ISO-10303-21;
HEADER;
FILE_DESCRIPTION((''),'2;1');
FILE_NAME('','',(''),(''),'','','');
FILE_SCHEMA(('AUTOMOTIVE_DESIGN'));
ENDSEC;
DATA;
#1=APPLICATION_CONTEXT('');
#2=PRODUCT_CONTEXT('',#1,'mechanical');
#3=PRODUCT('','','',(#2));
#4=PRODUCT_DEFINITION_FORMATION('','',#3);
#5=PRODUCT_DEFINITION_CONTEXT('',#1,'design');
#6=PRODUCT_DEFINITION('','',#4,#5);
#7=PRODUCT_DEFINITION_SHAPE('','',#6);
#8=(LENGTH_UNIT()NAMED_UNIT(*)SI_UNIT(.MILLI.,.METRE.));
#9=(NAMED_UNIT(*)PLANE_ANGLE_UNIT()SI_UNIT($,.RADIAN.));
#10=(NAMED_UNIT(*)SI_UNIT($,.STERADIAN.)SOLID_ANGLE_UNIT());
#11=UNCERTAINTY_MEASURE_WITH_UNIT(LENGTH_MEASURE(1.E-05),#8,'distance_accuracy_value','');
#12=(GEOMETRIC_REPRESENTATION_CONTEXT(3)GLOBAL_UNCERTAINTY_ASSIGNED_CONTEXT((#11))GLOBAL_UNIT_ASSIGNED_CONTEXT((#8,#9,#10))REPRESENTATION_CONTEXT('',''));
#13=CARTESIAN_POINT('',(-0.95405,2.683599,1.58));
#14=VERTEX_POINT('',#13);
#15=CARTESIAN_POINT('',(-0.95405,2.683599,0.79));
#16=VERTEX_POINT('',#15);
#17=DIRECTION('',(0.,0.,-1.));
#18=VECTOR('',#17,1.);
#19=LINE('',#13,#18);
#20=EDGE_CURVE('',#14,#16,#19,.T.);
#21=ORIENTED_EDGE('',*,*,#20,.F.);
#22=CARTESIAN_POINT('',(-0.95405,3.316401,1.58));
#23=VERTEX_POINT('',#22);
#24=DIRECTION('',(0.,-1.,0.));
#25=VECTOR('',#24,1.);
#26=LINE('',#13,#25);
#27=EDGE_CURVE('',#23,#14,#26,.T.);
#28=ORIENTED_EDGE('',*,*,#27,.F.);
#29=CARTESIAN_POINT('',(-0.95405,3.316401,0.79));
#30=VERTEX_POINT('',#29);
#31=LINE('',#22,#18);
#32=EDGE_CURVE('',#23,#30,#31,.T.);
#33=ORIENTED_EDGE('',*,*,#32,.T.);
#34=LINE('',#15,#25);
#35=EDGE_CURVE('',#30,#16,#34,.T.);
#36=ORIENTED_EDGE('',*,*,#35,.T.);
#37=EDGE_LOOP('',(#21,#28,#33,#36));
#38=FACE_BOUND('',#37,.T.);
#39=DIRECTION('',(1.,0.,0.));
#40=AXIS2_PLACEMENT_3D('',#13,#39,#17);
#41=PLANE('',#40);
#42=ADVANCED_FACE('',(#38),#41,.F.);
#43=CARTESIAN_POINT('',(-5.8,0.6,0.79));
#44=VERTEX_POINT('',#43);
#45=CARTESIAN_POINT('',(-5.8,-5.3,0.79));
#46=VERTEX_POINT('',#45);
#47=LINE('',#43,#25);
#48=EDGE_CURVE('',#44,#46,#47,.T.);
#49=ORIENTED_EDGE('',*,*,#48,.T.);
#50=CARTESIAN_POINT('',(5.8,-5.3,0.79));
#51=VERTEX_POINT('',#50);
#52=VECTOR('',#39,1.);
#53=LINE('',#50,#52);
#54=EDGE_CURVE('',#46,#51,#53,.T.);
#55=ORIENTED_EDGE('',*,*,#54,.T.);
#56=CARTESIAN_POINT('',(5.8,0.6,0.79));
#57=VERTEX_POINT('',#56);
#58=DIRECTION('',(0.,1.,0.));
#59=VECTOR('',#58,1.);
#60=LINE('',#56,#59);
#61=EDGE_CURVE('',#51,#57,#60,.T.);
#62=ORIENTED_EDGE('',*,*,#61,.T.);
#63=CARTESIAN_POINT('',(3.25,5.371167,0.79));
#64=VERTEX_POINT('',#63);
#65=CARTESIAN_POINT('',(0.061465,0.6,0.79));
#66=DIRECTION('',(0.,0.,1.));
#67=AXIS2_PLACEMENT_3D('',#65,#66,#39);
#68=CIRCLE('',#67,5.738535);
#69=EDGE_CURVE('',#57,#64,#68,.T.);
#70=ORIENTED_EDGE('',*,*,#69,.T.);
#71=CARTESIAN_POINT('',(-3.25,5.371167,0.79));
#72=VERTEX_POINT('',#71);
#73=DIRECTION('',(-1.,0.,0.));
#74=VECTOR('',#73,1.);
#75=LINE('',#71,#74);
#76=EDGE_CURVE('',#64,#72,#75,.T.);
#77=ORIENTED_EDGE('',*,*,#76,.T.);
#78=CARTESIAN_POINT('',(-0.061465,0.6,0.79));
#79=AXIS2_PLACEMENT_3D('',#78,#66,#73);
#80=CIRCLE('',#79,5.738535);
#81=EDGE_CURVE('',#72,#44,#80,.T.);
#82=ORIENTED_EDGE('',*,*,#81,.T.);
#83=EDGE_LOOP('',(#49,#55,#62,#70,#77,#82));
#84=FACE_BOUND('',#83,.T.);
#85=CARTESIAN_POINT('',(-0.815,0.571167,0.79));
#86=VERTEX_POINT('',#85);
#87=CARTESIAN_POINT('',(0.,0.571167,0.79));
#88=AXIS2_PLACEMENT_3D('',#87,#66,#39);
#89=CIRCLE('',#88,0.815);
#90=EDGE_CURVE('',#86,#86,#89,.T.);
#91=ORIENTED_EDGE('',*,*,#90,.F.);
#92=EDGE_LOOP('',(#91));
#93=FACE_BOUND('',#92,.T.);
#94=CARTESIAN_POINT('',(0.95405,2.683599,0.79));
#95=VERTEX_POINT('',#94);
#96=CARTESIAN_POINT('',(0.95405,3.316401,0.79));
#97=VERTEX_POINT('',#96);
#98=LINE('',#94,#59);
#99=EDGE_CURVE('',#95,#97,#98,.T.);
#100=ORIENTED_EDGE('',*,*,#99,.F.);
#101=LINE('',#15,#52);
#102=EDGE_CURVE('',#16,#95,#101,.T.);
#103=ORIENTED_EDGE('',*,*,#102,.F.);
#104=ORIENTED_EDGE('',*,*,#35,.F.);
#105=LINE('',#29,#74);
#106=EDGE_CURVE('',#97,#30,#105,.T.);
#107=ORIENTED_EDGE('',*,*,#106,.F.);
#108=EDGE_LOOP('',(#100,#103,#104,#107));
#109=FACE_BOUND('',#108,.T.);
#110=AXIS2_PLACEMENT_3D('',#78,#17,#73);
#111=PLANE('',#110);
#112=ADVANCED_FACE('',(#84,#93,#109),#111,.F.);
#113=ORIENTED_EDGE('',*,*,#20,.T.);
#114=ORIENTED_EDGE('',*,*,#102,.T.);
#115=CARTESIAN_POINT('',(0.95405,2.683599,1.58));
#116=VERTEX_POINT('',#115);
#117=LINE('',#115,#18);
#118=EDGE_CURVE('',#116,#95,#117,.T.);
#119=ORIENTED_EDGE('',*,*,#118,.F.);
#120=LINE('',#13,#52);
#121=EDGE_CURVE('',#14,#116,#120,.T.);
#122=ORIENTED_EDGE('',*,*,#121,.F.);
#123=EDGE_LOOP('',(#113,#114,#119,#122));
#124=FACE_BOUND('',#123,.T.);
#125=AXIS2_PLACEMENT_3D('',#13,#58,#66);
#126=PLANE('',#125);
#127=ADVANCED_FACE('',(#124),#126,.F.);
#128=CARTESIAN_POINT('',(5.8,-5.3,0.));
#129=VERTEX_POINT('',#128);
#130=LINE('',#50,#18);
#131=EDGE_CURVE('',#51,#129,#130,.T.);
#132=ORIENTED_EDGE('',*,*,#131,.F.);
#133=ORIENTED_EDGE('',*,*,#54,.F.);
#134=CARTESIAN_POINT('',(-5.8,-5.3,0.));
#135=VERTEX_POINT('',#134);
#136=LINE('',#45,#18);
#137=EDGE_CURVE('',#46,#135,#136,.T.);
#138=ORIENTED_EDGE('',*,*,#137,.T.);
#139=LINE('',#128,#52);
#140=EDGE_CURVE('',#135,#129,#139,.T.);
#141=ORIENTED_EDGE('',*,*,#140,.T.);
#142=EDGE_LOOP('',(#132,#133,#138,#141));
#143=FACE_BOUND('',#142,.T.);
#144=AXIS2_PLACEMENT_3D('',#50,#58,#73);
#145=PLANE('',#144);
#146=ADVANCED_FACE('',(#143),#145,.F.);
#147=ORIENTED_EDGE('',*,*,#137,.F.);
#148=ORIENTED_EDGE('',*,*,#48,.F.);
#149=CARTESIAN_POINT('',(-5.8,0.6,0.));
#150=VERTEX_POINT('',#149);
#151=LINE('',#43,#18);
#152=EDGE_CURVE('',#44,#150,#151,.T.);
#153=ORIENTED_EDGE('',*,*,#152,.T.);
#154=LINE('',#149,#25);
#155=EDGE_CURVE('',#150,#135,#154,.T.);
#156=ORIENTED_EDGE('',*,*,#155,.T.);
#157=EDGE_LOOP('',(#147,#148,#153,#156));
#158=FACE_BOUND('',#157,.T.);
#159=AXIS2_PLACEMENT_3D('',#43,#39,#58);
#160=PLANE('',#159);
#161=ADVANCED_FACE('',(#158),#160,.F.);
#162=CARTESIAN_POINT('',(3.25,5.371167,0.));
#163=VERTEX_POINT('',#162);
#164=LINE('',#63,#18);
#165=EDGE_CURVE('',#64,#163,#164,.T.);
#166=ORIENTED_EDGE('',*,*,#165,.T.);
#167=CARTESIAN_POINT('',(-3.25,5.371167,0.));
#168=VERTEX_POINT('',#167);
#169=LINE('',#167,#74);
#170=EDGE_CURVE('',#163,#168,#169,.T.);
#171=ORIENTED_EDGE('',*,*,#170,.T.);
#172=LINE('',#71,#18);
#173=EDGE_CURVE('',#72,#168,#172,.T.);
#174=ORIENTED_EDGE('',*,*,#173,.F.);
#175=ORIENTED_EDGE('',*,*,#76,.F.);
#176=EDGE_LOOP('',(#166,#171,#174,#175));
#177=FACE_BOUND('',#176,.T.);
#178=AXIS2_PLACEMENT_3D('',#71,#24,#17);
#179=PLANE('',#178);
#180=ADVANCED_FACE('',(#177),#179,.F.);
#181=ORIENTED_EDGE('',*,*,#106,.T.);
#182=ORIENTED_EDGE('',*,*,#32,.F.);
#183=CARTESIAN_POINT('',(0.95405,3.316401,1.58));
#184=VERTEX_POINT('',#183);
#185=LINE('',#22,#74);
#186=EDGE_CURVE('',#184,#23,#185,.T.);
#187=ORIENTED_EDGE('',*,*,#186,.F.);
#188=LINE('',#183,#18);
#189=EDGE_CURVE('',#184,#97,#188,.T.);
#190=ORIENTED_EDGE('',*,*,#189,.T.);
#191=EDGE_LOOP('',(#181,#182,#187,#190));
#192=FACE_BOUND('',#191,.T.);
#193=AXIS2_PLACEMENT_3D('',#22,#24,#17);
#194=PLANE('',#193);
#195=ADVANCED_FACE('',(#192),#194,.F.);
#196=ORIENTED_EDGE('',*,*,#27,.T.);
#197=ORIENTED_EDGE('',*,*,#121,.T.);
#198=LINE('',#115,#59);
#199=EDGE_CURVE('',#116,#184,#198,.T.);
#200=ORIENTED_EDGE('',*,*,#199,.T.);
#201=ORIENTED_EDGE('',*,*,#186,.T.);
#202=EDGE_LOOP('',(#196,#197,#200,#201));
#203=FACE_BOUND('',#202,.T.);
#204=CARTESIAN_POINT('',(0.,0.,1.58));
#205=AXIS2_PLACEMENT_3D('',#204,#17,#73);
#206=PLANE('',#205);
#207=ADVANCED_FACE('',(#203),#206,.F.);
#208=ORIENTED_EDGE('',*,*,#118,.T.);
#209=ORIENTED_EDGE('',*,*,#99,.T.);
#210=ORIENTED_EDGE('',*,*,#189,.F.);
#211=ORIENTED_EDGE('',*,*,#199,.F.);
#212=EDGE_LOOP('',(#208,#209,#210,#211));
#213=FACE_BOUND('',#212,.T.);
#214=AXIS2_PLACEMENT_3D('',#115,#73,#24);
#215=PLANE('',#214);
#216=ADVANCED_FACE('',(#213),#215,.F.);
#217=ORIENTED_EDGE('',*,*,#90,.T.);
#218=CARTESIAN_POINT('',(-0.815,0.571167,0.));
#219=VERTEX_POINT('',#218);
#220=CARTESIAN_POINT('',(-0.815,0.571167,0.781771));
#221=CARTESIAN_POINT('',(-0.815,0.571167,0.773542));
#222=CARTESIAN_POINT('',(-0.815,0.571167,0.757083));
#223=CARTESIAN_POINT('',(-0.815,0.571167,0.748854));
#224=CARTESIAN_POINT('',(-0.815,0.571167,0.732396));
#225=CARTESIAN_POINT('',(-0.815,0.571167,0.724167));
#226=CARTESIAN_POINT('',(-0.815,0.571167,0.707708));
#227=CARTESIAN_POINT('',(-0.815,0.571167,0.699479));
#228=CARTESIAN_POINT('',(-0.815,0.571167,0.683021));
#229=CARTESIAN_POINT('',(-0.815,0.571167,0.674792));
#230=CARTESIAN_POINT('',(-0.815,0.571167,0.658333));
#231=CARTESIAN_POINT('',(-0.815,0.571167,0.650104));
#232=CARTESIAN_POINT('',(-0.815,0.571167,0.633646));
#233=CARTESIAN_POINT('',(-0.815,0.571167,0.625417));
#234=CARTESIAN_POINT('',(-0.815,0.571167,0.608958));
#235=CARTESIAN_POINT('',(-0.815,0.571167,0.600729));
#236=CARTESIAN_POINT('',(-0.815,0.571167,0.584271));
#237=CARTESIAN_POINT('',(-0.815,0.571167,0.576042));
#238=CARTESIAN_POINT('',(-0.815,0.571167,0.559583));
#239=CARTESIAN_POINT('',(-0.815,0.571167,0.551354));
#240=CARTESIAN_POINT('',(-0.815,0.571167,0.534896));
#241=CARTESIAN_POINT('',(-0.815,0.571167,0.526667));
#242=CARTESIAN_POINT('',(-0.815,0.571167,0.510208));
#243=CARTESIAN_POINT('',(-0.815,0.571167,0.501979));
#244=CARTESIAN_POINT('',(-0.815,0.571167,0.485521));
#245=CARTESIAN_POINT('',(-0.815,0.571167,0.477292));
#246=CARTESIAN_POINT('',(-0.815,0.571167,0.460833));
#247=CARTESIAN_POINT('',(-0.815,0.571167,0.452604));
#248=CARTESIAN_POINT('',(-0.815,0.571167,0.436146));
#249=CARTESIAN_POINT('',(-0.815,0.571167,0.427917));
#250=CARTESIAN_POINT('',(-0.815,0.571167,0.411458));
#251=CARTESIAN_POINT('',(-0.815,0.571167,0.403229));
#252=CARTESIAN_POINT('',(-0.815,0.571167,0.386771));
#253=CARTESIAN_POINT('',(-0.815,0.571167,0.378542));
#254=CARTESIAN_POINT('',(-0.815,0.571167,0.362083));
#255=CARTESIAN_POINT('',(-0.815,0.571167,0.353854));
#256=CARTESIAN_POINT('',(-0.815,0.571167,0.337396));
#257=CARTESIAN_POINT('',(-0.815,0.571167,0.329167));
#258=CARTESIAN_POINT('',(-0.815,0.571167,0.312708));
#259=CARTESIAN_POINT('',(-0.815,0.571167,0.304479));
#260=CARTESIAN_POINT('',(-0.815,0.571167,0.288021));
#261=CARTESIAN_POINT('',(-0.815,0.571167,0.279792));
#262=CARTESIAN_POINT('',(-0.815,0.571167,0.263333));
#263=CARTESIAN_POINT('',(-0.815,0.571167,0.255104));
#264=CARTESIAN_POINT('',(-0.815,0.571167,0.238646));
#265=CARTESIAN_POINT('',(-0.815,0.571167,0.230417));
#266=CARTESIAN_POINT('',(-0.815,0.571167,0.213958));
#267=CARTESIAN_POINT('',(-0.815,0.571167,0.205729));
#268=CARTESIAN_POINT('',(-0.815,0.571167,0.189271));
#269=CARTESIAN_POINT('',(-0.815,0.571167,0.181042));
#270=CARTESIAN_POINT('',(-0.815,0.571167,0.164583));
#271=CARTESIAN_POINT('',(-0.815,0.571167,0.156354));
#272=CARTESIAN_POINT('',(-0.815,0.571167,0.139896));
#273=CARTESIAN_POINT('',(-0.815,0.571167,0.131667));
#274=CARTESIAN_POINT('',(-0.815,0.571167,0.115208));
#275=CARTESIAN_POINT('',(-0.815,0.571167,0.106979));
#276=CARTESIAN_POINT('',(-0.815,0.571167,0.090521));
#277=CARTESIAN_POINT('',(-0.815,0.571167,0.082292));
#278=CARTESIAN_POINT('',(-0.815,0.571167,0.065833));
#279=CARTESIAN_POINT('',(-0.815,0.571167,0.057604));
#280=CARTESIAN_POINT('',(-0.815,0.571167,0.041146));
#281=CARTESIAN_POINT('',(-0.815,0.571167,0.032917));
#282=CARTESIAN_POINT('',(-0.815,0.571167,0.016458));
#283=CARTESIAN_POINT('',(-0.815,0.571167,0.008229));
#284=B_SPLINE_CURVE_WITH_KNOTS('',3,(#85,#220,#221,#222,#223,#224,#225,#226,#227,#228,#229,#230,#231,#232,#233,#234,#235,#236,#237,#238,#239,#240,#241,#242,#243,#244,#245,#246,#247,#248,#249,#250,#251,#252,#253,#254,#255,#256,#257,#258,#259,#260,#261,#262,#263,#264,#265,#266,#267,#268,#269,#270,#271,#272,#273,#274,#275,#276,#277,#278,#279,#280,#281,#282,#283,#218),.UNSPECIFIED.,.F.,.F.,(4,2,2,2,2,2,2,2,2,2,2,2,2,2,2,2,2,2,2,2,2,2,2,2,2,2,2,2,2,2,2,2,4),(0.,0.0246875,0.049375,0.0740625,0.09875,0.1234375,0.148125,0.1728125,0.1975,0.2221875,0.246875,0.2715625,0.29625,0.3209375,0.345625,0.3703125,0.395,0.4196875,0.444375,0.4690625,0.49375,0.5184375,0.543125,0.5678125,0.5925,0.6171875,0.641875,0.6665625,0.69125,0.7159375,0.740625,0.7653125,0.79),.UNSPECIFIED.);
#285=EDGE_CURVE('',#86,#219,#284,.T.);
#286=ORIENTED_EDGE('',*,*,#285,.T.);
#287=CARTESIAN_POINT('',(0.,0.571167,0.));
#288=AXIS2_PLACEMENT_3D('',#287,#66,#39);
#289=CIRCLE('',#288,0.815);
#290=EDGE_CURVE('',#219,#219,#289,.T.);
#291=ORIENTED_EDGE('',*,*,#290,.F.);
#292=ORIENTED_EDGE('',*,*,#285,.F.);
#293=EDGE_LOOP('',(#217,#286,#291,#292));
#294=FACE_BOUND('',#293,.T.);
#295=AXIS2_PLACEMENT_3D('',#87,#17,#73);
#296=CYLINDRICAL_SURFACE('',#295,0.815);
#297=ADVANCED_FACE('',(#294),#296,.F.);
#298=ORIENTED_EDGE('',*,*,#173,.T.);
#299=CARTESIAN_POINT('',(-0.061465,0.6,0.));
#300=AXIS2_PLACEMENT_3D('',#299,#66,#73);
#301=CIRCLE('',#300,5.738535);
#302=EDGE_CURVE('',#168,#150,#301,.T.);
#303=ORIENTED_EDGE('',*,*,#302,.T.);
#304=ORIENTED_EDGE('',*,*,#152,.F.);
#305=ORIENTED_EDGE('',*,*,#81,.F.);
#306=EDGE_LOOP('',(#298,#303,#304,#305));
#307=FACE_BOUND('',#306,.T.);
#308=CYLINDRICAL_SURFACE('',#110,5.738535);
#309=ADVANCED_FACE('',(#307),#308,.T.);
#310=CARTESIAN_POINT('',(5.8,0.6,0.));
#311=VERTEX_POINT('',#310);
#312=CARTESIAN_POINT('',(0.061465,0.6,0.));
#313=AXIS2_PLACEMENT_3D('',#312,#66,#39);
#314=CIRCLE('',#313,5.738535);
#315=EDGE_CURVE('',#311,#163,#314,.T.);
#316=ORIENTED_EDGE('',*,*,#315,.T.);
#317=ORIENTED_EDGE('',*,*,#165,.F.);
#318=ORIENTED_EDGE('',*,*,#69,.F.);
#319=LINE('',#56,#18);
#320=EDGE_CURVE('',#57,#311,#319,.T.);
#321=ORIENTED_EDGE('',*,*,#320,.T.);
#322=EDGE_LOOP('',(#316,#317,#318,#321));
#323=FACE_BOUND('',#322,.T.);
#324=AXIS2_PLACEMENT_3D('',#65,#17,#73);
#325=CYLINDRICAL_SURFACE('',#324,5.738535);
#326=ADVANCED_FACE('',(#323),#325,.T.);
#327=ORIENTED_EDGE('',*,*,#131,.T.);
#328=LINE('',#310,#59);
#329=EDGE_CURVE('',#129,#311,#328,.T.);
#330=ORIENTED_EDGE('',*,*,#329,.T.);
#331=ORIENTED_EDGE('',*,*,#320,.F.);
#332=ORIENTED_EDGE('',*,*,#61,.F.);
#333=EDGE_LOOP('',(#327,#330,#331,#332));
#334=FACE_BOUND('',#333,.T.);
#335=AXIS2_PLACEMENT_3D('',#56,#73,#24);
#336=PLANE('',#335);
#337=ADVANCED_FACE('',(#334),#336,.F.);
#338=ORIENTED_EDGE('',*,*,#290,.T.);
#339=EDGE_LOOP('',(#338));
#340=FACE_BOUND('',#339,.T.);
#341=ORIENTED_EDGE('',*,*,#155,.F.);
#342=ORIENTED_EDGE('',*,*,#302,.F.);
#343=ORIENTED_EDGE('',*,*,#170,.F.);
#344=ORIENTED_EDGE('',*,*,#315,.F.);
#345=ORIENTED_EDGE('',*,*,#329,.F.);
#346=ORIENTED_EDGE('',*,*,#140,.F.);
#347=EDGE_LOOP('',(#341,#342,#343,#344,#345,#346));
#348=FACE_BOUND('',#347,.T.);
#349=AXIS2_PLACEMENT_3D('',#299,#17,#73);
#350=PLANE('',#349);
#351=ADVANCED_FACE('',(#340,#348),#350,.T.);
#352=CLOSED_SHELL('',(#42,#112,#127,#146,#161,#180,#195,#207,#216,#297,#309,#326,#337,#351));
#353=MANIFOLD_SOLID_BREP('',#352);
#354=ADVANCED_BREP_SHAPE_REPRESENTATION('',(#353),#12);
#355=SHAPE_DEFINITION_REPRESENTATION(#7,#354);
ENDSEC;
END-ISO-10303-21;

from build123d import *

# Parameters (mm, degrees)
SKETCH1_R           = 0.815
BOSS_EXTRUDE1_DEPTH = 0.79
SKETCH2_W           = 1.90810027
SKETCH2_H           = 0.63280283
BOSS_EXTRUDE2_DEPTH = 0.79


with BuildPart() as part:
    # Sketch1 → Boss-Extrude1 (new body)
    with BuildSketch(Plane.XY):
        with BuildLine():
            Line((-5.8, 0.599999942), (-5.8, -5.299999942))
            Line((-5.8, -5.299999942), (5.8, -5.299999942))
            Line((5.8, -5.299999942), (5.8, 0.599999942))
            ThreePointArc((5.8, 0.599999942), (5.12250756, 3.304927434), (3.249999977, 5.371166553))
            Line((3.249999977, 5.371166553), (-3.249999977, 5.371166553))
            ThreePointArc((-3.249999977, 5.371166553), (-5.12250756, 3.304927434), (-5.8, 0.599999942))
        make_face()
        with Locations(Location((0, 0.571166501, 0), (0, 0, 180))):
            Circle(SKETCH1_R, mode=Mode.SUBTRACT)
    extrude(amount=BOSS_EXTRUDE1_DEPTH)

    # Sketch2 → Boss-Extrude2 (add)
    with BuildSketch(Plane.XY.offset(0.79)):
        with Locations((0, 3)):
            Rectangle(SKETCH2_W, SKETCH2_H)
    extrude(amount=BOSS_EXTRUDE2_DEPTH)


solid = part.part
